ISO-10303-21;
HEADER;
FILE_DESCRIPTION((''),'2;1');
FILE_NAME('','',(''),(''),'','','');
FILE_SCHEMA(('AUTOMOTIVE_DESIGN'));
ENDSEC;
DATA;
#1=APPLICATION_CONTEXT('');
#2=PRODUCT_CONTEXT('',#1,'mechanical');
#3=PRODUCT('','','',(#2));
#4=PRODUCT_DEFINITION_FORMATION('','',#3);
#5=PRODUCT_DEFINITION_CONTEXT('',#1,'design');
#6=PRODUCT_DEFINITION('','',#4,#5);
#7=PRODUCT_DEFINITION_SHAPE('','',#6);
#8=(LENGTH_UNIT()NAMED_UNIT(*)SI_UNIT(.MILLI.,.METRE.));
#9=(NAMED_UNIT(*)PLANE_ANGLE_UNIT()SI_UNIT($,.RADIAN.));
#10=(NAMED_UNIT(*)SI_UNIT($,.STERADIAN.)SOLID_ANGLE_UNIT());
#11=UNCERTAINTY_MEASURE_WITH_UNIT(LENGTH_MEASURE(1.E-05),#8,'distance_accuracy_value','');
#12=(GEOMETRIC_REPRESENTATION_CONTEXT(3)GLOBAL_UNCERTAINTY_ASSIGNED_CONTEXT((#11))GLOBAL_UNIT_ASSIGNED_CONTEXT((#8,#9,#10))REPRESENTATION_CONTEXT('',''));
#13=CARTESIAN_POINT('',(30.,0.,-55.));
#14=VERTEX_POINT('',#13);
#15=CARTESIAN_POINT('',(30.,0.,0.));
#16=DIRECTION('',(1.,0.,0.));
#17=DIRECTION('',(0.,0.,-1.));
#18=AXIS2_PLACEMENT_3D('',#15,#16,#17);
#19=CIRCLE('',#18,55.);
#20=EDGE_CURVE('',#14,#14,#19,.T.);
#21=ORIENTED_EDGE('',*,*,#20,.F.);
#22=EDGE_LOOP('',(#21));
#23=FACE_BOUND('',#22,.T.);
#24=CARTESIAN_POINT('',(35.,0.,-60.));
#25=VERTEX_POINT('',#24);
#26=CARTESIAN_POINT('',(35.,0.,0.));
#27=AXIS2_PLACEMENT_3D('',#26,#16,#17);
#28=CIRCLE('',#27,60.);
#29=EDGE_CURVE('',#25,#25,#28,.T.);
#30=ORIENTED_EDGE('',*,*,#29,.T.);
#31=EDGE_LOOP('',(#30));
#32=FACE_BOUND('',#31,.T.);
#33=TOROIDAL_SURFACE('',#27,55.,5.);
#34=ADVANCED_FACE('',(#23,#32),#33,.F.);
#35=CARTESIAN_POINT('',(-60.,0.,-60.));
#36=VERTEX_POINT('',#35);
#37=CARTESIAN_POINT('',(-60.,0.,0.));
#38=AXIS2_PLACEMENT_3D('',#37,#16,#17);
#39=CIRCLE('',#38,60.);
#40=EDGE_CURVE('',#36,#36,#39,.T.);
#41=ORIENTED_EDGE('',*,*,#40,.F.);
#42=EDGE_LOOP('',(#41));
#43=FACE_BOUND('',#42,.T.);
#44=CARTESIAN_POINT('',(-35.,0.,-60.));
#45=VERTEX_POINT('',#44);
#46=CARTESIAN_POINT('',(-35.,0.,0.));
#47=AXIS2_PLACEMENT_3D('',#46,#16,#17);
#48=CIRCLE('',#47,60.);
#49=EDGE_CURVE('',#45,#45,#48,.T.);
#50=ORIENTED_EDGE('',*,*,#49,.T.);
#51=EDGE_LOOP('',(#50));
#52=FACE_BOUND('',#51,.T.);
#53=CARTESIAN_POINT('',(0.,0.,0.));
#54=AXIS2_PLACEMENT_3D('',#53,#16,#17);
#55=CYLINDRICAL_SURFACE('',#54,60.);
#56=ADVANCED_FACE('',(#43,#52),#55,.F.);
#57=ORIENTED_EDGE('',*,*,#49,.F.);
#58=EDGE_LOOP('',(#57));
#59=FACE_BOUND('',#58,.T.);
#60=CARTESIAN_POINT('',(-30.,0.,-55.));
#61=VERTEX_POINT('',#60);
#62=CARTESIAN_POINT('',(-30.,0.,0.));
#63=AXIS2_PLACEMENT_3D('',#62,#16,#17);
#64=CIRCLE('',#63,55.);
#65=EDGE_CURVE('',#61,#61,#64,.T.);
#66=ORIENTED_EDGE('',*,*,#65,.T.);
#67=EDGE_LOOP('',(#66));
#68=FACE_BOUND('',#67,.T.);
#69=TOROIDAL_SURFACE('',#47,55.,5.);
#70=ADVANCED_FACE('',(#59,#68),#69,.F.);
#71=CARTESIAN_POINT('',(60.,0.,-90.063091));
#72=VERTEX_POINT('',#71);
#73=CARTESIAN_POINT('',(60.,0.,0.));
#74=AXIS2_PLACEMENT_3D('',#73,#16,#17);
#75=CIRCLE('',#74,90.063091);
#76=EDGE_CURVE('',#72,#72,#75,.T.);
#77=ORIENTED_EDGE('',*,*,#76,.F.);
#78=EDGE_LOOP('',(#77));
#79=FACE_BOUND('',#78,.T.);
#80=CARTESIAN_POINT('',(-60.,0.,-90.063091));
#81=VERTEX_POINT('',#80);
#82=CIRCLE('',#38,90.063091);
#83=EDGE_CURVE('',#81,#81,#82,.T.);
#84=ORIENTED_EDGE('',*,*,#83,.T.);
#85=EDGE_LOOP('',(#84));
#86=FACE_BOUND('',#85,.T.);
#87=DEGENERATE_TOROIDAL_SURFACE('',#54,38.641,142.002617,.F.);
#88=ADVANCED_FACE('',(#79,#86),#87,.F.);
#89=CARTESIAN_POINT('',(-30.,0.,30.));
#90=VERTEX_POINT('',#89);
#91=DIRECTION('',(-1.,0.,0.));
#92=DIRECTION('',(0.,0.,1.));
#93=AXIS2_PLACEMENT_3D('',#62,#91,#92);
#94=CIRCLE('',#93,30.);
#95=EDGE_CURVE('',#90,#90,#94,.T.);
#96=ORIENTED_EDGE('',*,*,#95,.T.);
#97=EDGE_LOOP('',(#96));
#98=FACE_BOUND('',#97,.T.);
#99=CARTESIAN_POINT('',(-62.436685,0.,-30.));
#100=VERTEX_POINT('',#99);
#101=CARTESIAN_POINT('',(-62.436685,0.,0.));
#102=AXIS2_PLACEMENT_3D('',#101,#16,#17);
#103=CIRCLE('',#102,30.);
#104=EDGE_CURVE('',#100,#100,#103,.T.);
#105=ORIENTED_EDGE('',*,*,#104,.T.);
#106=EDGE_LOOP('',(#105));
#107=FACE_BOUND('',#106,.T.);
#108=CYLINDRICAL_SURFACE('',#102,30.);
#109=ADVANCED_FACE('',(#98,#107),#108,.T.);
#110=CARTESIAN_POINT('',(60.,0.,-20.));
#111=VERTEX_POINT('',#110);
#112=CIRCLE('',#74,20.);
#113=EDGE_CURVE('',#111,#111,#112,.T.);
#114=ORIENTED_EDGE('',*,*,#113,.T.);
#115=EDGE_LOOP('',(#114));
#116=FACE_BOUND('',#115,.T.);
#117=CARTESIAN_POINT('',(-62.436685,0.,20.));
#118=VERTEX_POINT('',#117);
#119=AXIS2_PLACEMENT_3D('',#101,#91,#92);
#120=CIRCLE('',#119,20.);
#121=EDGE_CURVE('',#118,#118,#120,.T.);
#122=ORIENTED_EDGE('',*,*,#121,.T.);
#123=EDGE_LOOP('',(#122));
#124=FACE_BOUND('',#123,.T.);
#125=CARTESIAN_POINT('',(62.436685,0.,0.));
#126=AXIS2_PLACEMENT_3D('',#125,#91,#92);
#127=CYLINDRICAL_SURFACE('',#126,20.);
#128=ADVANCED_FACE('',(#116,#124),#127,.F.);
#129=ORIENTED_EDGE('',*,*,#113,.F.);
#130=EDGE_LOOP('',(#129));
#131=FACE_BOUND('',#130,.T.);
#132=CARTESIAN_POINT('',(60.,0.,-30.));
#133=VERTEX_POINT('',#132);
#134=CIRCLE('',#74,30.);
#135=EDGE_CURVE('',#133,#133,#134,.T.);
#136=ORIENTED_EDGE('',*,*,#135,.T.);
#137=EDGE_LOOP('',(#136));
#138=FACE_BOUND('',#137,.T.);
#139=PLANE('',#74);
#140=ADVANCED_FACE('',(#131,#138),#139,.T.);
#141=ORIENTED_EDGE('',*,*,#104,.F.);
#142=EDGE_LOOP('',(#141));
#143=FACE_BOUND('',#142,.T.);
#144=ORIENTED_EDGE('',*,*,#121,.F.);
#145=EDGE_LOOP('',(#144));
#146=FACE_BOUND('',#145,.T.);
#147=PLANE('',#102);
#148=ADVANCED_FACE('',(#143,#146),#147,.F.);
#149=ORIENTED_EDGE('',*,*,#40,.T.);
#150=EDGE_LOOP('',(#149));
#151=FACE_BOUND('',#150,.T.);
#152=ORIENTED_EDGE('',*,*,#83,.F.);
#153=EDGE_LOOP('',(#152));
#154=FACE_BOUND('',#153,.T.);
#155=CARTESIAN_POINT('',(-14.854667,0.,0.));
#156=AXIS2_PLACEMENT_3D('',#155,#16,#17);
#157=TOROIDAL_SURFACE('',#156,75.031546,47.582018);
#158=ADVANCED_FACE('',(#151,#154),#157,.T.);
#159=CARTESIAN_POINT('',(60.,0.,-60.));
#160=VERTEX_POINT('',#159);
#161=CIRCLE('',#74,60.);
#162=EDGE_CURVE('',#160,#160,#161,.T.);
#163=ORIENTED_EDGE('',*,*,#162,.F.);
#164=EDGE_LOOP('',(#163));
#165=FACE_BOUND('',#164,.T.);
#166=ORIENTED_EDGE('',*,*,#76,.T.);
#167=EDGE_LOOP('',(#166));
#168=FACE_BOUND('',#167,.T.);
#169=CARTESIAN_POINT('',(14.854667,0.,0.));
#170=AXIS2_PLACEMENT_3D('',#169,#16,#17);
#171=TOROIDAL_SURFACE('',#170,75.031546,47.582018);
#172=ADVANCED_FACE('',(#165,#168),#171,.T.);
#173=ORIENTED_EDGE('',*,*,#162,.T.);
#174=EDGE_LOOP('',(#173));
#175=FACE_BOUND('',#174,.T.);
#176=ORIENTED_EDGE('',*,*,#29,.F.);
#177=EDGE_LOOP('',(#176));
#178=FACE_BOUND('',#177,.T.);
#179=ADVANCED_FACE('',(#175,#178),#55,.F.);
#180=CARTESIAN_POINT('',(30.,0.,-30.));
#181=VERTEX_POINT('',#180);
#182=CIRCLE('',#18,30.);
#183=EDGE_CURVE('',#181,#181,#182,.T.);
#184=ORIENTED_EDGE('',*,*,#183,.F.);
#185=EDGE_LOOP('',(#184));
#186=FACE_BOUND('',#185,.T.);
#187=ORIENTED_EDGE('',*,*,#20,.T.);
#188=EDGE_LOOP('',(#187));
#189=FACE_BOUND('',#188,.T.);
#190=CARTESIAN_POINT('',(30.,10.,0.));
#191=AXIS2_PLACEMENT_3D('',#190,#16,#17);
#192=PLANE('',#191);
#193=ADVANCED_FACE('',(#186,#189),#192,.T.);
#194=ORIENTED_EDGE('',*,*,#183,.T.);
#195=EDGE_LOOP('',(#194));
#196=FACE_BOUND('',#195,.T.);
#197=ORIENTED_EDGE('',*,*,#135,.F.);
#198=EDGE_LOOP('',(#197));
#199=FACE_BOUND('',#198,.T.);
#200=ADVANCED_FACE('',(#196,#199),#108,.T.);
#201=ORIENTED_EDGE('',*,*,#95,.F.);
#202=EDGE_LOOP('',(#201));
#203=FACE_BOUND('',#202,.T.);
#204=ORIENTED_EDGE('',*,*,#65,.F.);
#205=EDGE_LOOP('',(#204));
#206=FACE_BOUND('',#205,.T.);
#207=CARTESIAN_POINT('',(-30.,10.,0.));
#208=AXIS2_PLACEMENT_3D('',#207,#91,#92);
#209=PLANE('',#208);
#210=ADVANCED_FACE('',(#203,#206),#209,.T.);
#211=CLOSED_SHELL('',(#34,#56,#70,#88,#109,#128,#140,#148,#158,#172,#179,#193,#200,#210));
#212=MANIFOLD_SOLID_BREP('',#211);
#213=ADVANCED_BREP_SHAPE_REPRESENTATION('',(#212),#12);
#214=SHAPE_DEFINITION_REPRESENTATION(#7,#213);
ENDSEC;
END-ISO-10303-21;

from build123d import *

# Parameters (mm, degrees)
BOSS_EXTRUDE1_START = -112.436685
SKETCH2_R           = 30
BOSS_EXTRUDE1_DEPTH = 112.436685
SKETCH3_R           = 30
BOSS_EXTRUDE2_DEPTH = 10
SKETCH4_R           = 20
CUT_EXTRUDE1_DEPTH  = 125.873370497


with BuildPart() as part:
    # Sketch1 → Revolve1 (revolve)
    with BuildSketch(Plane.XY):
        with BuildLine():
            Line((0, 0), (-50, 0))
            Line((-50, 0), (-50, 10))
            Line((-50, 10), (-30, 10))
            Line((-30, 10), (-30, 55))
            ThreePointArc((-30, 55), (-31.464466094, 58.535533906), (-35, 60))
            Line((-35, 60), (-60, 60))
            ThreePointArc((-60, 60), (-62.436685199, 75.031545588), (-60, 90.063091176))
            ThreePointArc((-60, 90.063091176), (0, 103.36161645), (60, 90.063091176))
            ThreePointArc((60, 90.063091176), (62.436685199, 75.031545588), (60, 60))
            Line((60, 60), (35, 60))
            ThreePointArc((35, 60), (31.464466094, 58.535533906), (30, 55))
            Line((30, 55), (30, 10))
            Line((30, 10), (50, 10))
            Line((50, 10), (50, 0))
            Line((50, 0), (0, 0))
        make_face()
    revolve(axis=Axis((0, 0, 0), (-1, 0, 0)))

    # Sketch2 → Boss-Extrude1 (add)
    with BuildSketch(Plane(origin=(50, 0, 0), x_dir=(0, 0, -1), z_dir=(1, 0, 0)).offset(BOSS_EXTRUDE1_START)):
        Circle(SKETCH2_R)
    extrude(amount=BOSS_EXTRUDE1_DEPTH)

    # Sketch3 → Boss-Extrude2 (add)
    with BuildSketch(Plane(origin=(50, 0, 0), x_dir=(0, 0, -1), z_dir=(1, 0, 0))):
        Circle(SKETCH3_R)
    extrude(amount=BOSS_EXTRUDE2_DEPTH)

    # Sketch4 → Cut-Extrude1 (cut, through all)
    with BuildSketch(Plane.ZY.offset(62.436685199)):
        Circle(SKETCH4_R)
    extrude(amount=-CUT_EXTRUDE1_DEPTH, mode=Mode.SUBTRACT)


solid = part.part
